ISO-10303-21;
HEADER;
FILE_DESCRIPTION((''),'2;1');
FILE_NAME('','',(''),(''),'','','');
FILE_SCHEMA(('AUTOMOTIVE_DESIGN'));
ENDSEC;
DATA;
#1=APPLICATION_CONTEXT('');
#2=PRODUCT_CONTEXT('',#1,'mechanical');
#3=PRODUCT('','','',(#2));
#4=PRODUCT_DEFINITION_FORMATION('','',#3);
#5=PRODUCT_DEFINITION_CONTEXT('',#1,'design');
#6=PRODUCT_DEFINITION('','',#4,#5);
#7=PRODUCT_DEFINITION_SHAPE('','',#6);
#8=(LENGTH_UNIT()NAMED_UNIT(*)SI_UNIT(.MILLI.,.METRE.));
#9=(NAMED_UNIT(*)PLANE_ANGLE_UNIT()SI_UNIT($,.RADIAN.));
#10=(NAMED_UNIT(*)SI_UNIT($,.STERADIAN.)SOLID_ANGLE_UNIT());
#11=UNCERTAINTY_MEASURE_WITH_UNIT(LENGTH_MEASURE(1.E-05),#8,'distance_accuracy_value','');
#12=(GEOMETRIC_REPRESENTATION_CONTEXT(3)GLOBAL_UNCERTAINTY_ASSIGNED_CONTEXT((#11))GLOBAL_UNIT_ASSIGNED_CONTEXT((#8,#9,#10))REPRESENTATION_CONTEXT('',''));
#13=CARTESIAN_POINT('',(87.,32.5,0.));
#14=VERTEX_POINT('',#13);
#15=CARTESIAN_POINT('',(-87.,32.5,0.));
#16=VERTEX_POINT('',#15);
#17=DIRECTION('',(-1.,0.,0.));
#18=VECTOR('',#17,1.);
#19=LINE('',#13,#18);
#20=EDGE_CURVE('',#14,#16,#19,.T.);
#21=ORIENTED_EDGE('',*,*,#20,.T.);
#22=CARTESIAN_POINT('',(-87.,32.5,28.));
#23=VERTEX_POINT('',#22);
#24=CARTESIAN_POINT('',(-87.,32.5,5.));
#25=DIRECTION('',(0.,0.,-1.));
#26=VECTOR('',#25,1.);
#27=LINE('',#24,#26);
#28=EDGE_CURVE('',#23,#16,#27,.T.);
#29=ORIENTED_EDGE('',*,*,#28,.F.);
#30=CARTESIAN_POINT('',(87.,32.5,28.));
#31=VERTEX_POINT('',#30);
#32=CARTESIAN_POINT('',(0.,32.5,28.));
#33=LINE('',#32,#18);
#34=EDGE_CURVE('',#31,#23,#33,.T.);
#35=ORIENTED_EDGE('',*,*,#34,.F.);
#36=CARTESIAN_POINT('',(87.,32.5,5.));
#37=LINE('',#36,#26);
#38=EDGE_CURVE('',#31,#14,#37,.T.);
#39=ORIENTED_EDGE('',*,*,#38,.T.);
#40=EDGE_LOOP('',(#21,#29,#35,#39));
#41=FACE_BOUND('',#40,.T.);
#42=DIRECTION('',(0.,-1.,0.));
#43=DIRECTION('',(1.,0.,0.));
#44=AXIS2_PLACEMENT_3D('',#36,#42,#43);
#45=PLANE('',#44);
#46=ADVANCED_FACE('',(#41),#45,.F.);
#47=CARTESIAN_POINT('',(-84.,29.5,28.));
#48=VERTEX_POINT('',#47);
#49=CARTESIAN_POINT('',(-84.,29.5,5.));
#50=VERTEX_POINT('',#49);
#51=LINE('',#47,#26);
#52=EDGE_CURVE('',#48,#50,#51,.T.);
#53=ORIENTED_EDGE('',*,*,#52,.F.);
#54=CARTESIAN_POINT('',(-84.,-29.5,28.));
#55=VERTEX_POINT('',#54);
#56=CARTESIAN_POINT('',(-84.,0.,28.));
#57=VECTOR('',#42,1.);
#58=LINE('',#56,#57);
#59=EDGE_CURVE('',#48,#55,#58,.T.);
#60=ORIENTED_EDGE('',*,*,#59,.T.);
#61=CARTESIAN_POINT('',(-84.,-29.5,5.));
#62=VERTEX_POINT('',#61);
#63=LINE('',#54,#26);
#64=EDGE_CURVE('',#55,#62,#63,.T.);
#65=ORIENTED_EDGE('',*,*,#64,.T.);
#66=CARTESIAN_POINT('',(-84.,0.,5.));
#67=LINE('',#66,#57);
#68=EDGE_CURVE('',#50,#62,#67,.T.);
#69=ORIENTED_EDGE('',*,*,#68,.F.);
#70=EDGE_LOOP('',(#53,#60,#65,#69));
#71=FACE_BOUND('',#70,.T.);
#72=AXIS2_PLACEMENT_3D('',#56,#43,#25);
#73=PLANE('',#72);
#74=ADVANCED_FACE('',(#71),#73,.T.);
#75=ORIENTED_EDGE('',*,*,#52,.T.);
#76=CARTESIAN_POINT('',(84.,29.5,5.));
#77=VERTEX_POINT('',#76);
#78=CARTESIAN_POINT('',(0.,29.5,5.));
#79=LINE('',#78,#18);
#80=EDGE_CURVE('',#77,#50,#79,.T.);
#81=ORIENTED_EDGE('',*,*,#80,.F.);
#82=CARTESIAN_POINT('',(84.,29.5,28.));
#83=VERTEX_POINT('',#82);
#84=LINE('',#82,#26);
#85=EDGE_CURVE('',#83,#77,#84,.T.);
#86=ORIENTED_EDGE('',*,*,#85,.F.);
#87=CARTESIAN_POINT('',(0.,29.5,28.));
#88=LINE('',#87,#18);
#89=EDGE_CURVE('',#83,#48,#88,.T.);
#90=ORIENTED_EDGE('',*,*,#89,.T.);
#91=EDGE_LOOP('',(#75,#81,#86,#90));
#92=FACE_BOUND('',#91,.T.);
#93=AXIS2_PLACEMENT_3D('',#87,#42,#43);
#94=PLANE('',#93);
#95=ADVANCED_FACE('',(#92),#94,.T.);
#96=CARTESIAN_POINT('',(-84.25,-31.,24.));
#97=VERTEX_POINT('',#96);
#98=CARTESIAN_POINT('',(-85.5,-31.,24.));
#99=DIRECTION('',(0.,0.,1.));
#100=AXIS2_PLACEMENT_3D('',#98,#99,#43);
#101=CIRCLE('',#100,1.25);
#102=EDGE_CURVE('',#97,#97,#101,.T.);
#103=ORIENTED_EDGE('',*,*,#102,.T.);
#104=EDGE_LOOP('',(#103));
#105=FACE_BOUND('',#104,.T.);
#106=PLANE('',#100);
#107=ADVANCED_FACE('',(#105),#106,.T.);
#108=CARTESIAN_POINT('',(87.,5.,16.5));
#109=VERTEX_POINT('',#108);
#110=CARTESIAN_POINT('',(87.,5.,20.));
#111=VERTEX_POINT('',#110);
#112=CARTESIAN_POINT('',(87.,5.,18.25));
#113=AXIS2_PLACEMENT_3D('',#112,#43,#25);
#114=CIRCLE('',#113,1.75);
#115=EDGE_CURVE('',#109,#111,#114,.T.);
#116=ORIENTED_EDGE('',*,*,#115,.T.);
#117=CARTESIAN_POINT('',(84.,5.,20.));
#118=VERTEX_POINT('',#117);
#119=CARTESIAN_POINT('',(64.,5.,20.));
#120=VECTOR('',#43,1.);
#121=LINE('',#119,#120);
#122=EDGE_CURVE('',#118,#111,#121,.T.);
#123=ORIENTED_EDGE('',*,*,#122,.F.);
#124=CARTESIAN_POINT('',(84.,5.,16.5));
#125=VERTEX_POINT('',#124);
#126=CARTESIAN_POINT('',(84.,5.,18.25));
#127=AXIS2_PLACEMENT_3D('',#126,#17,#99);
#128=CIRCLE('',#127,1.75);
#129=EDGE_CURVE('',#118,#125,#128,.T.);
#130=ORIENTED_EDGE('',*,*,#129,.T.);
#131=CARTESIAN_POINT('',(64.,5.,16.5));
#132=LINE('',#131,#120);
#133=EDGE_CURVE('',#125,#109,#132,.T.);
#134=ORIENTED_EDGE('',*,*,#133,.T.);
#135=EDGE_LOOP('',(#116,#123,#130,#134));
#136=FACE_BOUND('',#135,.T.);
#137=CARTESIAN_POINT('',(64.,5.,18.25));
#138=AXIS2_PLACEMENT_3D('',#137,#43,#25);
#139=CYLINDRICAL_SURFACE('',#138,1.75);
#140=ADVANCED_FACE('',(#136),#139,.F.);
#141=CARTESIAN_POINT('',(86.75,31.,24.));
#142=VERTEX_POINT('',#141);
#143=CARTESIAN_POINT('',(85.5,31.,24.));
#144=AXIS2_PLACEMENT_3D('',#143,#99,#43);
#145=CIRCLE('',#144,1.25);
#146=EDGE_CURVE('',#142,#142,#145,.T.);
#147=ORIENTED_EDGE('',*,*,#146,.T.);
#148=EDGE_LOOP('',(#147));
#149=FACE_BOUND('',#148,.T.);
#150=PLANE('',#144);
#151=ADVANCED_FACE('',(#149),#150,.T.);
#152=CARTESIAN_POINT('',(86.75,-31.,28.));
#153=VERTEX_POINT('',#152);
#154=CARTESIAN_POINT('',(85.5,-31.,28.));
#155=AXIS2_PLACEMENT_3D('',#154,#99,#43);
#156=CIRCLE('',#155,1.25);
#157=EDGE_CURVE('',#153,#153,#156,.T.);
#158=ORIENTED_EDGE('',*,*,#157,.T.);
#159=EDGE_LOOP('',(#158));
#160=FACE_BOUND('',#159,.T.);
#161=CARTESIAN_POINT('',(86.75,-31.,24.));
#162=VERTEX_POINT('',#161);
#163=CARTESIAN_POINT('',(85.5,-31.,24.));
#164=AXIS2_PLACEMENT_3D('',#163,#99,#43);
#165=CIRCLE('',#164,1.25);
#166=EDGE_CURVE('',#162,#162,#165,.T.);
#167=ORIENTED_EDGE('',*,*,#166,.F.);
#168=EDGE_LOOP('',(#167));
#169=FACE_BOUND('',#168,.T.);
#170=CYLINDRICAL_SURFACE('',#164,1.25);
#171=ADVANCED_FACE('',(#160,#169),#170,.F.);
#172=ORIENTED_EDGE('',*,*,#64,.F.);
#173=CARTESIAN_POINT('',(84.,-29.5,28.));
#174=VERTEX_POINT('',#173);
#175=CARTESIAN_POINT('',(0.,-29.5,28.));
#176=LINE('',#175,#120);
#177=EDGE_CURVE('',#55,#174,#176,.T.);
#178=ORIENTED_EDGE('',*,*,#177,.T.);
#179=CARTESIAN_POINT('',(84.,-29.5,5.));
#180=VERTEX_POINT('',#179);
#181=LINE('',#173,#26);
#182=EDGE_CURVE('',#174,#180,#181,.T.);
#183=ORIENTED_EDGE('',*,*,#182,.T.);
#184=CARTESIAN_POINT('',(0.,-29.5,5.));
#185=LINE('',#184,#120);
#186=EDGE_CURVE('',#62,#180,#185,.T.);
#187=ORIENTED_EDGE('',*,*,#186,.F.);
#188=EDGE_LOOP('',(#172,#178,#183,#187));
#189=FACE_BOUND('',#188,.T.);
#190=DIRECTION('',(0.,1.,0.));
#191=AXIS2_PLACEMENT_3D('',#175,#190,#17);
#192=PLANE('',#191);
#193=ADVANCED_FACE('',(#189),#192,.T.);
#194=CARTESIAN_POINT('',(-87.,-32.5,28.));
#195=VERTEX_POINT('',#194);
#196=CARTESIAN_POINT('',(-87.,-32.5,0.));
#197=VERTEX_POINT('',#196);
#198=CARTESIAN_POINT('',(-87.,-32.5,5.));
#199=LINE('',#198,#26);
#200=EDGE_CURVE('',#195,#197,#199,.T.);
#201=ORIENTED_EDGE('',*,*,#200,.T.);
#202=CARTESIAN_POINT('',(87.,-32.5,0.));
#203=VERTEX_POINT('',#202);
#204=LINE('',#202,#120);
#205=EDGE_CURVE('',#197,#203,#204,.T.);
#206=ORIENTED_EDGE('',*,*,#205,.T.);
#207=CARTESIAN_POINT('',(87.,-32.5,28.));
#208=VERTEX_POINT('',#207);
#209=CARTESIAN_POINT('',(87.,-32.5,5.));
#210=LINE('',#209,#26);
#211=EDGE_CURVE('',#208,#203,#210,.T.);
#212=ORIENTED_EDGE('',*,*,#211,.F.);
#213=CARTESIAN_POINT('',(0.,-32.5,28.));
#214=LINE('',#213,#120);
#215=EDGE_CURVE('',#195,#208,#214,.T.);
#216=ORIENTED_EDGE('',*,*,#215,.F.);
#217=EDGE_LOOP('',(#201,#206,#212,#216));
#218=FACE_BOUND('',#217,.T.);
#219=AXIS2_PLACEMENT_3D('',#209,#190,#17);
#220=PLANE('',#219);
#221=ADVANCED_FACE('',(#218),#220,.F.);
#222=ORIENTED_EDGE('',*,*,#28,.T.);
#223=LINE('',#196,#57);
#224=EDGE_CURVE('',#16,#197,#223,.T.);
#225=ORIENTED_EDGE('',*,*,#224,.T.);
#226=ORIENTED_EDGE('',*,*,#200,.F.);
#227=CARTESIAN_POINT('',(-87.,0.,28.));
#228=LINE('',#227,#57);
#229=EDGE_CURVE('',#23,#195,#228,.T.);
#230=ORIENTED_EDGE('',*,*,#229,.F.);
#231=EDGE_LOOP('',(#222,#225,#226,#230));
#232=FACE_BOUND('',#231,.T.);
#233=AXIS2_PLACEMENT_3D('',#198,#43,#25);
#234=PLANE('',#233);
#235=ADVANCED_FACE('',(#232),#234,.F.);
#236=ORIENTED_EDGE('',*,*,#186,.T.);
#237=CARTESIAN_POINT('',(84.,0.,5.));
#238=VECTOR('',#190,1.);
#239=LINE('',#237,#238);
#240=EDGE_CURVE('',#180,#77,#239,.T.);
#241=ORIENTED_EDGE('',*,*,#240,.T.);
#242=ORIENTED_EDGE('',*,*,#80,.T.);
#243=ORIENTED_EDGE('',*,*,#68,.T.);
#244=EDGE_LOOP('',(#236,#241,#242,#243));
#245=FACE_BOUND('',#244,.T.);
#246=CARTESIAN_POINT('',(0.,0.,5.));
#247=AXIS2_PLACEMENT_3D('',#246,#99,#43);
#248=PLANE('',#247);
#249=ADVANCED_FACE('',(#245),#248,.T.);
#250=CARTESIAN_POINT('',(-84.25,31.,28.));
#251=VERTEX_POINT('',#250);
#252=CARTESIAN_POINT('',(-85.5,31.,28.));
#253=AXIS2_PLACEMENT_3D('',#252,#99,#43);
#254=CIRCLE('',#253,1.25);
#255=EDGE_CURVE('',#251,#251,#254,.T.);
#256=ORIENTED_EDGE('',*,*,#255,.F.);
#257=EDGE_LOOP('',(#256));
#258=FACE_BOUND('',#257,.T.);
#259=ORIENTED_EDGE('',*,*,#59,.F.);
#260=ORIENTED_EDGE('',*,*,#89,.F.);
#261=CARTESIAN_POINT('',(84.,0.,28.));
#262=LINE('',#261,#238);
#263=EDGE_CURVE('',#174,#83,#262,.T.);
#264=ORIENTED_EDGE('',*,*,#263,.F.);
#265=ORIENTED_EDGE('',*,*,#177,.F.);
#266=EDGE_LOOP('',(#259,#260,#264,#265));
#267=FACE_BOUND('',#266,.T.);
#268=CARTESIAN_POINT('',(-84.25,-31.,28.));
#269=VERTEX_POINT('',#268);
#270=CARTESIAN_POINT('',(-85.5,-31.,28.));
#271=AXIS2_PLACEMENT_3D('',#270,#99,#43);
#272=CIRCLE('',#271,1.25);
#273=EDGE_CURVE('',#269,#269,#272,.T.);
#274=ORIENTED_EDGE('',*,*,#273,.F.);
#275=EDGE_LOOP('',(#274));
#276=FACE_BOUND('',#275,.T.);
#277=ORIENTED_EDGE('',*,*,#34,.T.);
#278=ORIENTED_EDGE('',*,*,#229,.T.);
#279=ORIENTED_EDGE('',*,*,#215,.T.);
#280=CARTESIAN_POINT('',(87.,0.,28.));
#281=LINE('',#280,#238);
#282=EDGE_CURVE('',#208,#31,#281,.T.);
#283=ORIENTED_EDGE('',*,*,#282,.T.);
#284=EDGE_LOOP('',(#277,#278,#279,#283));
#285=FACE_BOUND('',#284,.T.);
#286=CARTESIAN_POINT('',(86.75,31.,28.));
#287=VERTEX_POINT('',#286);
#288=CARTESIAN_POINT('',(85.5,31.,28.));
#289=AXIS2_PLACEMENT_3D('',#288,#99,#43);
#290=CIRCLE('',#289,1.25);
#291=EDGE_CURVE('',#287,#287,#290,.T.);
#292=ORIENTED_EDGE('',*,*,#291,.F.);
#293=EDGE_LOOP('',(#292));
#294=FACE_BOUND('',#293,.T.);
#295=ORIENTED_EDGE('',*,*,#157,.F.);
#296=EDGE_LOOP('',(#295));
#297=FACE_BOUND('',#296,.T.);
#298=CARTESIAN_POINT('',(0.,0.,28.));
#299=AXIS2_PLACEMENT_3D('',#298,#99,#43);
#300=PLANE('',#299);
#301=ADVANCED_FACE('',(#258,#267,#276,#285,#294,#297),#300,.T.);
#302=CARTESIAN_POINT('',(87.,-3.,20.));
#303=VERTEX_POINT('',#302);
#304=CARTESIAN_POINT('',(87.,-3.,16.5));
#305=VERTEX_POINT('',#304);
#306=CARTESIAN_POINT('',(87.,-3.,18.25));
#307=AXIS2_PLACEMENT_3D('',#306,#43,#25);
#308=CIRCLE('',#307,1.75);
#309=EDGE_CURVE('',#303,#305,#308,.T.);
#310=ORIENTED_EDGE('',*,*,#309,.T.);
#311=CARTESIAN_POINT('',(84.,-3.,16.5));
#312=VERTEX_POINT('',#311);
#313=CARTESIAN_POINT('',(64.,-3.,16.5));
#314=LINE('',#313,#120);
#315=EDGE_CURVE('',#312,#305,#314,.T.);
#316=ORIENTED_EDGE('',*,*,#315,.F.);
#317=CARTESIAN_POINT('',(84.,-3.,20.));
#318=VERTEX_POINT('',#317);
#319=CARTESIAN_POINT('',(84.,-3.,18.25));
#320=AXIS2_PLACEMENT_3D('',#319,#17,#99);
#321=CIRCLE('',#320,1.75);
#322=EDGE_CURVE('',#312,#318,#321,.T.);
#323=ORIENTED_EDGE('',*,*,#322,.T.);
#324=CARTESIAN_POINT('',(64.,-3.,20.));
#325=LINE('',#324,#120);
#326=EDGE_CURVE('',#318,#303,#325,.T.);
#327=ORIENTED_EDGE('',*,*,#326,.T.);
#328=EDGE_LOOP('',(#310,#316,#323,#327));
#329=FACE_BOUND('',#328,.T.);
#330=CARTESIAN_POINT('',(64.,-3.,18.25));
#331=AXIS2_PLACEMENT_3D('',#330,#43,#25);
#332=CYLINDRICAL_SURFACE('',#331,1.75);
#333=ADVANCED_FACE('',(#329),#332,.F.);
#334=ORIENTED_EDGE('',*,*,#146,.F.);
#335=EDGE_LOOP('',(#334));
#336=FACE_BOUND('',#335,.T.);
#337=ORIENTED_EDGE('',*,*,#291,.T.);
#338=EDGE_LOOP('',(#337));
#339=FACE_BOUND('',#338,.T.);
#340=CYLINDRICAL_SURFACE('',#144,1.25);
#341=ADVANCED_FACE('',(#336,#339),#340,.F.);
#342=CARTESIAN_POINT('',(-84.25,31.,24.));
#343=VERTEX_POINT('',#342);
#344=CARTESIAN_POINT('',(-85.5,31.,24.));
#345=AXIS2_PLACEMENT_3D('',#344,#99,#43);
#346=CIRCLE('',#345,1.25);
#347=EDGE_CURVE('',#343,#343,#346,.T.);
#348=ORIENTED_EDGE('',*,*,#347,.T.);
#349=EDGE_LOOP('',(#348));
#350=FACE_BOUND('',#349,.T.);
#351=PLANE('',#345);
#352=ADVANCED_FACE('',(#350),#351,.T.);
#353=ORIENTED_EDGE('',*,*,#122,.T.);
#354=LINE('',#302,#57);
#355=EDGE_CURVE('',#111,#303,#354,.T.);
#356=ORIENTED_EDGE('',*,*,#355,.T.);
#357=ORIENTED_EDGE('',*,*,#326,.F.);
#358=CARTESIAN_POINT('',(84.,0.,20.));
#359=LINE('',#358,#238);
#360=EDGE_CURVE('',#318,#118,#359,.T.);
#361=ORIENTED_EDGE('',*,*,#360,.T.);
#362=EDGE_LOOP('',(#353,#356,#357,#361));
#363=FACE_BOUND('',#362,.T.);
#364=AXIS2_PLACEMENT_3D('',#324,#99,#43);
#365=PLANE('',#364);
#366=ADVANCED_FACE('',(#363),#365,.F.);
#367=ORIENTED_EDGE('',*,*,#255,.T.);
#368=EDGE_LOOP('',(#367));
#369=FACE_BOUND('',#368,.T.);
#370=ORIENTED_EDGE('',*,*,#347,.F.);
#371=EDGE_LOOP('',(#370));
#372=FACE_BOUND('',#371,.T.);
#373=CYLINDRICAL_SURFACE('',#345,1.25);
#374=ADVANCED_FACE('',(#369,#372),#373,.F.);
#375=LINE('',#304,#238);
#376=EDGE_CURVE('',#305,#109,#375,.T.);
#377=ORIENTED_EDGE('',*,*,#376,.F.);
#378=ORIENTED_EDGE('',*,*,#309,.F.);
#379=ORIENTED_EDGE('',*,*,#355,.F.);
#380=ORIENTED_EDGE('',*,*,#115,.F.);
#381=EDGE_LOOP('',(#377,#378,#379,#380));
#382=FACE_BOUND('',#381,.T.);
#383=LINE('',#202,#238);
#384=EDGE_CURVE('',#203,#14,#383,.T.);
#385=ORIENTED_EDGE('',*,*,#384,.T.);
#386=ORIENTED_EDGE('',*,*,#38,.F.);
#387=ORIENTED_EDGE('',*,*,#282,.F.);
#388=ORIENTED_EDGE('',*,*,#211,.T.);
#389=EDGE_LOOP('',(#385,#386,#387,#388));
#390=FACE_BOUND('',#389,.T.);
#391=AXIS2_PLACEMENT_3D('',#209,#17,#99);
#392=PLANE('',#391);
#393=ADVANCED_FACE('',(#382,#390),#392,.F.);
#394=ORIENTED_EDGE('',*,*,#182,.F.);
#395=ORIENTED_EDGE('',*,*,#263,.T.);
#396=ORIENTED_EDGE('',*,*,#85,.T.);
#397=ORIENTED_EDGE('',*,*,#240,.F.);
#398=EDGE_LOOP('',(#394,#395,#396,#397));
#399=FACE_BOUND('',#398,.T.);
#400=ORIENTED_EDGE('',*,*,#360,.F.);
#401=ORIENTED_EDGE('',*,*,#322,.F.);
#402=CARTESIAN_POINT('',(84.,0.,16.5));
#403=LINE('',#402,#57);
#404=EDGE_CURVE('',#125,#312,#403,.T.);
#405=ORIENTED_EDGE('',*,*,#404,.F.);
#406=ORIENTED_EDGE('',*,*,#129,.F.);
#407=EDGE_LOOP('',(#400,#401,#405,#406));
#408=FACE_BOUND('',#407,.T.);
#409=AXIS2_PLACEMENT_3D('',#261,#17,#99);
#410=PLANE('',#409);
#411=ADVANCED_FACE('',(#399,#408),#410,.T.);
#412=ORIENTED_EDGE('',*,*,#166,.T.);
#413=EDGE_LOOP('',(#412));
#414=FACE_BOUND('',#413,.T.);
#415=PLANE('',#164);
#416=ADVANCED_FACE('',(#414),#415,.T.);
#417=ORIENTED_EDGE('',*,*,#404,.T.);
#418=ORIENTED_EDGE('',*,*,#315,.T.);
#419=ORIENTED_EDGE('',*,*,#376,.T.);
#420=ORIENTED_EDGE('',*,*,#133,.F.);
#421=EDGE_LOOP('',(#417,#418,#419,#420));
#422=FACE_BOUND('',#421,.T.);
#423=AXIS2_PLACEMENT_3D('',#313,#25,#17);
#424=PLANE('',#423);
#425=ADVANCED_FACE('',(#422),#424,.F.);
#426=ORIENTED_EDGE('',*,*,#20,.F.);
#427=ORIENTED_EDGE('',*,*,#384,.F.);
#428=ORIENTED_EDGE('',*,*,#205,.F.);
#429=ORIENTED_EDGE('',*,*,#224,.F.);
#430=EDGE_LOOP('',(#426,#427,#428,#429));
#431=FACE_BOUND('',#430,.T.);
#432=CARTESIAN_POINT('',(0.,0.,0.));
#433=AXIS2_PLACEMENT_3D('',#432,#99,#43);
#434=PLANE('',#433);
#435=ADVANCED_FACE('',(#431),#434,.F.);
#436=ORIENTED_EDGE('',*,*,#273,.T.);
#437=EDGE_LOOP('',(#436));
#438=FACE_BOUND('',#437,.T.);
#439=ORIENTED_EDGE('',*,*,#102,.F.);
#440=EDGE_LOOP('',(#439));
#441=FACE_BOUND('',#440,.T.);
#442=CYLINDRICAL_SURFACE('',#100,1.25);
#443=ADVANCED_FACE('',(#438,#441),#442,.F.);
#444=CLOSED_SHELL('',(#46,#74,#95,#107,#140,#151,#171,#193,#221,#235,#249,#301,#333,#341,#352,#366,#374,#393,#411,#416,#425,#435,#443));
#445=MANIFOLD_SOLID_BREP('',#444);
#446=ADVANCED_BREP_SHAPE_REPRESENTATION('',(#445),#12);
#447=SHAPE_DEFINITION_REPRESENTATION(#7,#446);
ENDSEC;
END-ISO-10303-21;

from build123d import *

# Parameters (mm, degrees)
SKETCH1_W           = 174
SKETCH1_H           = 65
BOSS_EXTRUDE1_DEPTH = 5
SKETCH3_W           = 174
SKETCH3_H           = 65
SKETCH3_W_2         = 168
SKETCH3_H_2         = 59
BOSS_EXTRUDE3_DEPTH = 23
CUT_EXTRUDE1_DEPTH  = 23
SKETCH17_R          = 1.25
CUT_EXTRUDE5_DEPTH  = 4
SKETCH15_R          = 1.25
CUT_EXTRUDE4_DEPTH  = 4
SKETCH11_R          = 1.25
SKETCH11_R_2        = 0.084381571
CUT_EXTRUDE2_DEPTH  = 4
SKETCH13_R          = 0.084381571
CUT_EXTRUDE3_DEPTH  = 4


with BuildPart() as part:
    # Sketch1 → Boss-Extrude1 (new body)
    with BuildSketch(Plane.XY):
        Rectangle(SKETCH1_W, SKETCH1_H)
    extrude(amount=BOSS_EXTRUDE1_DEPTH)

    # Sketch3 → Boss-Extrude3 (add)
    with BuildSketch(Plane.XY.offset(5)):
        Rectangle(SKETCH3_W, SKETCH3_H)
        Rectangle(SKETCH3_W_2, SKETCH3_H_2, mode=Mode.SUBTRACT)
    extrude(amount=BOSS_EXTRUDE3_DEPTH)

    # Sketch9 → Cut-Extrude1 (cut)
    with BuildSketch(Plane(origin=(87, 0, 0), x_dir=(0, 0, -1), z_dir=(1, 0, 0))):
        with BuildLine():
            Line((-20, -3), (-20, 5))
            ThreePointArc((-20, 5), (-18.25, 6.75), (-16.5, 5))
            Line((-16.5, 5), (-16.5, -3))
            ThreePointArc((-16.5, -3), (-18.25, -4.75), (-20, -3))
        make_face()
    extrude(amount=-CUT_EXTRUDE1_DEPTH, mode=Mode.SUBTRACT)

    # Sketch17 → Cut-Extrude5 (cut)
    with BuildSketch(Plane.XY.offset(28)):
        with Locations((-85.5, -31)):
            Circle(SKETCH17_R)
        with Locations((-85.5, 31)):
            Circle(SKETCH17_R)
        with Locations((85.5, 31)):
            Circle(SKETCH17_R)
        with Locations((85.5, -31)):
            Circle(SKETCH17_R)
    extrude(amount=-CUT_EXTRUDE5_DEPTH, mode=Mode.SUBTRACT)

    # Sketch15 → Cut-Extrude4 (cut)
    with BuildSketch(Plane.XY.offset(28)):
        with Locations((-85.5, 31)):
            Circle(SKETCH15_R)
    extrude(amount=-CUT_EXTRUDE4_DEPTH, mode=Mode.SUBTRACT)

    # Sketch11 → Cut-Extrude2 (cut)
    with BuildSketch(Plane.XY.offset(28)):
        with Locations((-85.5, 31)):
            Circle(SKETCH11_R)
        with Locations((-85.5, 31)):
            Circle(SKETCH11_R_2, mode=Mode.SUBTRACT)
    extrude(amount=-CUT_EXTRUDE2_DEPTH, mode=Mode.SUBTRACT)

    # Sketch13 → Cut-Extrude3 (cut)
    with BuildSketch(Plane.XY.offset(28)):
        with Locations((-85.5, 31)):
            Circle(SKETCH13_R)
    extrude(amount=-CUT_EXTRUDE3_DEPTH, mode=Mode.SUBTRACT)


solid = part.part
